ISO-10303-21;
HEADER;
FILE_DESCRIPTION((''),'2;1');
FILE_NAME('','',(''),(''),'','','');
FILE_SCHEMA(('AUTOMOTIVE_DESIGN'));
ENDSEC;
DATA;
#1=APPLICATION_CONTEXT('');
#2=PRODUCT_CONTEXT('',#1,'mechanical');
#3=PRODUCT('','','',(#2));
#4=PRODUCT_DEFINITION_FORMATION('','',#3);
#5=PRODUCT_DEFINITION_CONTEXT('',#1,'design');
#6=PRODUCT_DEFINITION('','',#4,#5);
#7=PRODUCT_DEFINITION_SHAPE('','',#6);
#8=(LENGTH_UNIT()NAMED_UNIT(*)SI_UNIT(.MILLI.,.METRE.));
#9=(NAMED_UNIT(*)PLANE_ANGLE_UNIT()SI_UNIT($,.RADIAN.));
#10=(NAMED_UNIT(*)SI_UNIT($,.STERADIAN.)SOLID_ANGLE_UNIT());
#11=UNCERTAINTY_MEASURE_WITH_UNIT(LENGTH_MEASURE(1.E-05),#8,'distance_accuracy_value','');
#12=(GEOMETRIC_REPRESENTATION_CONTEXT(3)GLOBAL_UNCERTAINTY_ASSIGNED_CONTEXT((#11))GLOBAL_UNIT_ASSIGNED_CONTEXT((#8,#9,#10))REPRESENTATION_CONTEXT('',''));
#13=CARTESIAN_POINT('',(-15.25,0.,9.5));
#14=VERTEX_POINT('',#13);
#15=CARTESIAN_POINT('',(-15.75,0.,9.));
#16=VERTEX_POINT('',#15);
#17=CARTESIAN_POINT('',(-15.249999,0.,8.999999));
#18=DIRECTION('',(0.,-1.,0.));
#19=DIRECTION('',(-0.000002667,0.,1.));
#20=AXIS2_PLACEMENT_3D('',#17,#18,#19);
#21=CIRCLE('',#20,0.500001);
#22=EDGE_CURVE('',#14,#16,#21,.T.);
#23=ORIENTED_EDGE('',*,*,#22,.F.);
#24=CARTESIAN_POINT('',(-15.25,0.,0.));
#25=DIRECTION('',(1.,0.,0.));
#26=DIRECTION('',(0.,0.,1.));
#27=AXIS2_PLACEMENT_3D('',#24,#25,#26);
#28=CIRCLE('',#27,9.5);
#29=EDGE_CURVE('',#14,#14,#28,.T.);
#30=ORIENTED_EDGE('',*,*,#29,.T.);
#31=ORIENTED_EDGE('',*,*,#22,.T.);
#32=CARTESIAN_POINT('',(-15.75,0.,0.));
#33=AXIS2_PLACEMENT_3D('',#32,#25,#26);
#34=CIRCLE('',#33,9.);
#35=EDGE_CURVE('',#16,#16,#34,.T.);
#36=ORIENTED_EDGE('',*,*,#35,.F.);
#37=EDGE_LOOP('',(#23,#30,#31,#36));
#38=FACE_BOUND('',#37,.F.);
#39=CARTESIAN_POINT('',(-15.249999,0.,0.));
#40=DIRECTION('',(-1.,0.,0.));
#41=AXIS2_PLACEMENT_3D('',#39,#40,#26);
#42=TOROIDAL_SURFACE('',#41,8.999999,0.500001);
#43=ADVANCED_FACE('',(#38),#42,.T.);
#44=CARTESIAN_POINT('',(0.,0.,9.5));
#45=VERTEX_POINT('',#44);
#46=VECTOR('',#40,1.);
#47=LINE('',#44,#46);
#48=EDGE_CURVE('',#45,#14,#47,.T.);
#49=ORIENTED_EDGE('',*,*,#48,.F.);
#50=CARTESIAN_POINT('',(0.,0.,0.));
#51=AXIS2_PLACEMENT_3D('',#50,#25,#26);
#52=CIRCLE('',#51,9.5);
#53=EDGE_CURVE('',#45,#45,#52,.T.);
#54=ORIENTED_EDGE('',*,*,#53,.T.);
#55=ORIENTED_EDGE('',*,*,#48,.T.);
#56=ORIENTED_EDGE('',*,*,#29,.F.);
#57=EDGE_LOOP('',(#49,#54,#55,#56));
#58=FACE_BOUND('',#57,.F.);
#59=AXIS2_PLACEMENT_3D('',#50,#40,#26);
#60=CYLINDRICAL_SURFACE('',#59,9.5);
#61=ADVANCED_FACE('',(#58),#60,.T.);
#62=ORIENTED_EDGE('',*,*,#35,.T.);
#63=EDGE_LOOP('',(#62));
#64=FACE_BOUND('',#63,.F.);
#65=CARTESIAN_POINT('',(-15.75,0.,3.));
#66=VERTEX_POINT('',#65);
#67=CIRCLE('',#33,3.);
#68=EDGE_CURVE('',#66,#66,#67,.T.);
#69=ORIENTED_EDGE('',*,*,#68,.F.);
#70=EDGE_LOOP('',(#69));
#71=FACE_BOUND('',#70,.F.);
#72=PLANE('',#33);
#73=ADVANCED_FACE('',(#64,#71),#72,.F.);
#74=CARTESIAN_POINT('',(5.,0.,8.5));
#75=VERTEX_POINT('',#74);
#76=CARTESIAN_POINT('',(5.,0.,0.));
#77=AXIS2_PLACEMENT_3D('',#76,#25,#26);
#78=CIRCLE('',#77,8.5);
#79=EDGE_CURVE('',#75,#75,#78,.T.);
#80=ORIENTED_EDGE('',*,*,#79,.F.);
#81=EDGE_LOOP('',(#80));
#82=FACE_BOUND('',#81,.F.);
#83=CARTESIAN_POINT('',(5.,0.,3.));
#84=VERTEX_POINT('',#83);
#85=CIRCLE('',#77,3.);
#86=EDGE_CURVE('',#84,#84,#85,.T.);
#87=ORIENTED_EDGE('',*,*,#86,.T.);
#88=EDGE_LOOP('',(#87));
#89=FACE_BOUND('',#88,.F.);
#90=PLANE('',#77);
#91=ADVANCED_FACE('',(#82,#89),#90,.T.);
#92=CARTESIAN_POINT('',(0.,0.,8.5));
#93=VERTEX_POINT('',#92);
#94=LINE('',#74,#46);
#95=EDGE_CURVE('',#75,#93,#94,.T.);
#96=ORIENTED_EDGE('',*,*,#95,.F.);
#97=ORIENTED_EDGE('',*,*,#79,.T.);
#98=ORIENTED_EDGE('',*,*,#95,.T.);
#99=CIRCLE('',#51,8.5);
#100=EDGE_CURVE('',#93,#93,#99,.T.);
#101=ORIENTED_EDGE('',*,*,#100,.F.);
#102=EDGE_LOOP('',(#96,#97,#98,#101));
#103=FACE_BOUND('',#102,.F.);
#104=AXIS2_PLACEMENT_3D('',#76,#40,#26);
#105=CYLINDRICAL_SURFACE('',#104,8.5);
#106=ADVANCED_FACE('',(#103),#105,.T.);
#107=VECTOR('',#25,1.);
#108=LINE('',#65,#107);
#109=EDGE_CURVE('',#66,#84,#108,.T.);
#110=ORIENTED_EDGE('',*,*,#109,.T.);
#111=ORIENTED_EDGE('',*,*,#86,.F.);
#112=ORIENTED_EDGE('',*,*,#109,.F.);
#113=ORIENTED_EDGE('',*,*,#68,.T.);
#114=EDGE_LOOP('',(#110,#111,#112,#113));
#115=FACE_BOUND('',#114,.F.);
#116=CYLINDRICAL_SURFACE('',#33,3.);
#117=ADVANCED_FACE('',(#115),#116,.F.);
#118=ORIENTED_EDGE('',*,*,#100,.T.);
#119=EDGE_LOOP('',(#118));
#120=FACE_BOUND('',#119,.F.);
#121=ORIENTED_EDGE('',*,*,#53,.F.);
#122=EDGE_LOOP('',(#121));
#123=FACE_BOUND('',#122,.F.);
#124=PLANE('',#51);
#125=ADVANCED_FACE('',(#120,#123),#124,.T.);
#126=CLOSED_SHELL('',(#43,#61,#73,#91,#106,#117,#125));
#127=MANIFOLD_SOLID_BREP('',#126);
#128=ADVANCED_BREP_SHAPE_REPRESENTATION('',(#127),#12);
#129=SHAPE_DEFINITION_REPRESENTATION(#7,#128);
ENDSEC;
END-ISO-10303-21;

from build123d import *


with BuildPart() as f1:
    # F0 (on Front) → F1 (revolve)
    with BuildSketch(Plane.XZ):
        with BuildLine():
            Line((0, 9.5), (-15.25, 9.5))
            ThreePointArc((-15.25, 9.5), (-15.603553, 9.353553), (-15.75, 9))
            Line((-15.75, 9), (-15.75, 3))
            Line((-15.75, 3), (5, 3))
            Line((5, 3), (5, 8.5))
            Line((5, 8.5), (0, 8.5))
            Line((0, 8.5), (0, 9.5))
        make_face()
    revolve(axis=Axis((-5.375, 0, 0), (1, 0, 0)))


solid = f1.part
